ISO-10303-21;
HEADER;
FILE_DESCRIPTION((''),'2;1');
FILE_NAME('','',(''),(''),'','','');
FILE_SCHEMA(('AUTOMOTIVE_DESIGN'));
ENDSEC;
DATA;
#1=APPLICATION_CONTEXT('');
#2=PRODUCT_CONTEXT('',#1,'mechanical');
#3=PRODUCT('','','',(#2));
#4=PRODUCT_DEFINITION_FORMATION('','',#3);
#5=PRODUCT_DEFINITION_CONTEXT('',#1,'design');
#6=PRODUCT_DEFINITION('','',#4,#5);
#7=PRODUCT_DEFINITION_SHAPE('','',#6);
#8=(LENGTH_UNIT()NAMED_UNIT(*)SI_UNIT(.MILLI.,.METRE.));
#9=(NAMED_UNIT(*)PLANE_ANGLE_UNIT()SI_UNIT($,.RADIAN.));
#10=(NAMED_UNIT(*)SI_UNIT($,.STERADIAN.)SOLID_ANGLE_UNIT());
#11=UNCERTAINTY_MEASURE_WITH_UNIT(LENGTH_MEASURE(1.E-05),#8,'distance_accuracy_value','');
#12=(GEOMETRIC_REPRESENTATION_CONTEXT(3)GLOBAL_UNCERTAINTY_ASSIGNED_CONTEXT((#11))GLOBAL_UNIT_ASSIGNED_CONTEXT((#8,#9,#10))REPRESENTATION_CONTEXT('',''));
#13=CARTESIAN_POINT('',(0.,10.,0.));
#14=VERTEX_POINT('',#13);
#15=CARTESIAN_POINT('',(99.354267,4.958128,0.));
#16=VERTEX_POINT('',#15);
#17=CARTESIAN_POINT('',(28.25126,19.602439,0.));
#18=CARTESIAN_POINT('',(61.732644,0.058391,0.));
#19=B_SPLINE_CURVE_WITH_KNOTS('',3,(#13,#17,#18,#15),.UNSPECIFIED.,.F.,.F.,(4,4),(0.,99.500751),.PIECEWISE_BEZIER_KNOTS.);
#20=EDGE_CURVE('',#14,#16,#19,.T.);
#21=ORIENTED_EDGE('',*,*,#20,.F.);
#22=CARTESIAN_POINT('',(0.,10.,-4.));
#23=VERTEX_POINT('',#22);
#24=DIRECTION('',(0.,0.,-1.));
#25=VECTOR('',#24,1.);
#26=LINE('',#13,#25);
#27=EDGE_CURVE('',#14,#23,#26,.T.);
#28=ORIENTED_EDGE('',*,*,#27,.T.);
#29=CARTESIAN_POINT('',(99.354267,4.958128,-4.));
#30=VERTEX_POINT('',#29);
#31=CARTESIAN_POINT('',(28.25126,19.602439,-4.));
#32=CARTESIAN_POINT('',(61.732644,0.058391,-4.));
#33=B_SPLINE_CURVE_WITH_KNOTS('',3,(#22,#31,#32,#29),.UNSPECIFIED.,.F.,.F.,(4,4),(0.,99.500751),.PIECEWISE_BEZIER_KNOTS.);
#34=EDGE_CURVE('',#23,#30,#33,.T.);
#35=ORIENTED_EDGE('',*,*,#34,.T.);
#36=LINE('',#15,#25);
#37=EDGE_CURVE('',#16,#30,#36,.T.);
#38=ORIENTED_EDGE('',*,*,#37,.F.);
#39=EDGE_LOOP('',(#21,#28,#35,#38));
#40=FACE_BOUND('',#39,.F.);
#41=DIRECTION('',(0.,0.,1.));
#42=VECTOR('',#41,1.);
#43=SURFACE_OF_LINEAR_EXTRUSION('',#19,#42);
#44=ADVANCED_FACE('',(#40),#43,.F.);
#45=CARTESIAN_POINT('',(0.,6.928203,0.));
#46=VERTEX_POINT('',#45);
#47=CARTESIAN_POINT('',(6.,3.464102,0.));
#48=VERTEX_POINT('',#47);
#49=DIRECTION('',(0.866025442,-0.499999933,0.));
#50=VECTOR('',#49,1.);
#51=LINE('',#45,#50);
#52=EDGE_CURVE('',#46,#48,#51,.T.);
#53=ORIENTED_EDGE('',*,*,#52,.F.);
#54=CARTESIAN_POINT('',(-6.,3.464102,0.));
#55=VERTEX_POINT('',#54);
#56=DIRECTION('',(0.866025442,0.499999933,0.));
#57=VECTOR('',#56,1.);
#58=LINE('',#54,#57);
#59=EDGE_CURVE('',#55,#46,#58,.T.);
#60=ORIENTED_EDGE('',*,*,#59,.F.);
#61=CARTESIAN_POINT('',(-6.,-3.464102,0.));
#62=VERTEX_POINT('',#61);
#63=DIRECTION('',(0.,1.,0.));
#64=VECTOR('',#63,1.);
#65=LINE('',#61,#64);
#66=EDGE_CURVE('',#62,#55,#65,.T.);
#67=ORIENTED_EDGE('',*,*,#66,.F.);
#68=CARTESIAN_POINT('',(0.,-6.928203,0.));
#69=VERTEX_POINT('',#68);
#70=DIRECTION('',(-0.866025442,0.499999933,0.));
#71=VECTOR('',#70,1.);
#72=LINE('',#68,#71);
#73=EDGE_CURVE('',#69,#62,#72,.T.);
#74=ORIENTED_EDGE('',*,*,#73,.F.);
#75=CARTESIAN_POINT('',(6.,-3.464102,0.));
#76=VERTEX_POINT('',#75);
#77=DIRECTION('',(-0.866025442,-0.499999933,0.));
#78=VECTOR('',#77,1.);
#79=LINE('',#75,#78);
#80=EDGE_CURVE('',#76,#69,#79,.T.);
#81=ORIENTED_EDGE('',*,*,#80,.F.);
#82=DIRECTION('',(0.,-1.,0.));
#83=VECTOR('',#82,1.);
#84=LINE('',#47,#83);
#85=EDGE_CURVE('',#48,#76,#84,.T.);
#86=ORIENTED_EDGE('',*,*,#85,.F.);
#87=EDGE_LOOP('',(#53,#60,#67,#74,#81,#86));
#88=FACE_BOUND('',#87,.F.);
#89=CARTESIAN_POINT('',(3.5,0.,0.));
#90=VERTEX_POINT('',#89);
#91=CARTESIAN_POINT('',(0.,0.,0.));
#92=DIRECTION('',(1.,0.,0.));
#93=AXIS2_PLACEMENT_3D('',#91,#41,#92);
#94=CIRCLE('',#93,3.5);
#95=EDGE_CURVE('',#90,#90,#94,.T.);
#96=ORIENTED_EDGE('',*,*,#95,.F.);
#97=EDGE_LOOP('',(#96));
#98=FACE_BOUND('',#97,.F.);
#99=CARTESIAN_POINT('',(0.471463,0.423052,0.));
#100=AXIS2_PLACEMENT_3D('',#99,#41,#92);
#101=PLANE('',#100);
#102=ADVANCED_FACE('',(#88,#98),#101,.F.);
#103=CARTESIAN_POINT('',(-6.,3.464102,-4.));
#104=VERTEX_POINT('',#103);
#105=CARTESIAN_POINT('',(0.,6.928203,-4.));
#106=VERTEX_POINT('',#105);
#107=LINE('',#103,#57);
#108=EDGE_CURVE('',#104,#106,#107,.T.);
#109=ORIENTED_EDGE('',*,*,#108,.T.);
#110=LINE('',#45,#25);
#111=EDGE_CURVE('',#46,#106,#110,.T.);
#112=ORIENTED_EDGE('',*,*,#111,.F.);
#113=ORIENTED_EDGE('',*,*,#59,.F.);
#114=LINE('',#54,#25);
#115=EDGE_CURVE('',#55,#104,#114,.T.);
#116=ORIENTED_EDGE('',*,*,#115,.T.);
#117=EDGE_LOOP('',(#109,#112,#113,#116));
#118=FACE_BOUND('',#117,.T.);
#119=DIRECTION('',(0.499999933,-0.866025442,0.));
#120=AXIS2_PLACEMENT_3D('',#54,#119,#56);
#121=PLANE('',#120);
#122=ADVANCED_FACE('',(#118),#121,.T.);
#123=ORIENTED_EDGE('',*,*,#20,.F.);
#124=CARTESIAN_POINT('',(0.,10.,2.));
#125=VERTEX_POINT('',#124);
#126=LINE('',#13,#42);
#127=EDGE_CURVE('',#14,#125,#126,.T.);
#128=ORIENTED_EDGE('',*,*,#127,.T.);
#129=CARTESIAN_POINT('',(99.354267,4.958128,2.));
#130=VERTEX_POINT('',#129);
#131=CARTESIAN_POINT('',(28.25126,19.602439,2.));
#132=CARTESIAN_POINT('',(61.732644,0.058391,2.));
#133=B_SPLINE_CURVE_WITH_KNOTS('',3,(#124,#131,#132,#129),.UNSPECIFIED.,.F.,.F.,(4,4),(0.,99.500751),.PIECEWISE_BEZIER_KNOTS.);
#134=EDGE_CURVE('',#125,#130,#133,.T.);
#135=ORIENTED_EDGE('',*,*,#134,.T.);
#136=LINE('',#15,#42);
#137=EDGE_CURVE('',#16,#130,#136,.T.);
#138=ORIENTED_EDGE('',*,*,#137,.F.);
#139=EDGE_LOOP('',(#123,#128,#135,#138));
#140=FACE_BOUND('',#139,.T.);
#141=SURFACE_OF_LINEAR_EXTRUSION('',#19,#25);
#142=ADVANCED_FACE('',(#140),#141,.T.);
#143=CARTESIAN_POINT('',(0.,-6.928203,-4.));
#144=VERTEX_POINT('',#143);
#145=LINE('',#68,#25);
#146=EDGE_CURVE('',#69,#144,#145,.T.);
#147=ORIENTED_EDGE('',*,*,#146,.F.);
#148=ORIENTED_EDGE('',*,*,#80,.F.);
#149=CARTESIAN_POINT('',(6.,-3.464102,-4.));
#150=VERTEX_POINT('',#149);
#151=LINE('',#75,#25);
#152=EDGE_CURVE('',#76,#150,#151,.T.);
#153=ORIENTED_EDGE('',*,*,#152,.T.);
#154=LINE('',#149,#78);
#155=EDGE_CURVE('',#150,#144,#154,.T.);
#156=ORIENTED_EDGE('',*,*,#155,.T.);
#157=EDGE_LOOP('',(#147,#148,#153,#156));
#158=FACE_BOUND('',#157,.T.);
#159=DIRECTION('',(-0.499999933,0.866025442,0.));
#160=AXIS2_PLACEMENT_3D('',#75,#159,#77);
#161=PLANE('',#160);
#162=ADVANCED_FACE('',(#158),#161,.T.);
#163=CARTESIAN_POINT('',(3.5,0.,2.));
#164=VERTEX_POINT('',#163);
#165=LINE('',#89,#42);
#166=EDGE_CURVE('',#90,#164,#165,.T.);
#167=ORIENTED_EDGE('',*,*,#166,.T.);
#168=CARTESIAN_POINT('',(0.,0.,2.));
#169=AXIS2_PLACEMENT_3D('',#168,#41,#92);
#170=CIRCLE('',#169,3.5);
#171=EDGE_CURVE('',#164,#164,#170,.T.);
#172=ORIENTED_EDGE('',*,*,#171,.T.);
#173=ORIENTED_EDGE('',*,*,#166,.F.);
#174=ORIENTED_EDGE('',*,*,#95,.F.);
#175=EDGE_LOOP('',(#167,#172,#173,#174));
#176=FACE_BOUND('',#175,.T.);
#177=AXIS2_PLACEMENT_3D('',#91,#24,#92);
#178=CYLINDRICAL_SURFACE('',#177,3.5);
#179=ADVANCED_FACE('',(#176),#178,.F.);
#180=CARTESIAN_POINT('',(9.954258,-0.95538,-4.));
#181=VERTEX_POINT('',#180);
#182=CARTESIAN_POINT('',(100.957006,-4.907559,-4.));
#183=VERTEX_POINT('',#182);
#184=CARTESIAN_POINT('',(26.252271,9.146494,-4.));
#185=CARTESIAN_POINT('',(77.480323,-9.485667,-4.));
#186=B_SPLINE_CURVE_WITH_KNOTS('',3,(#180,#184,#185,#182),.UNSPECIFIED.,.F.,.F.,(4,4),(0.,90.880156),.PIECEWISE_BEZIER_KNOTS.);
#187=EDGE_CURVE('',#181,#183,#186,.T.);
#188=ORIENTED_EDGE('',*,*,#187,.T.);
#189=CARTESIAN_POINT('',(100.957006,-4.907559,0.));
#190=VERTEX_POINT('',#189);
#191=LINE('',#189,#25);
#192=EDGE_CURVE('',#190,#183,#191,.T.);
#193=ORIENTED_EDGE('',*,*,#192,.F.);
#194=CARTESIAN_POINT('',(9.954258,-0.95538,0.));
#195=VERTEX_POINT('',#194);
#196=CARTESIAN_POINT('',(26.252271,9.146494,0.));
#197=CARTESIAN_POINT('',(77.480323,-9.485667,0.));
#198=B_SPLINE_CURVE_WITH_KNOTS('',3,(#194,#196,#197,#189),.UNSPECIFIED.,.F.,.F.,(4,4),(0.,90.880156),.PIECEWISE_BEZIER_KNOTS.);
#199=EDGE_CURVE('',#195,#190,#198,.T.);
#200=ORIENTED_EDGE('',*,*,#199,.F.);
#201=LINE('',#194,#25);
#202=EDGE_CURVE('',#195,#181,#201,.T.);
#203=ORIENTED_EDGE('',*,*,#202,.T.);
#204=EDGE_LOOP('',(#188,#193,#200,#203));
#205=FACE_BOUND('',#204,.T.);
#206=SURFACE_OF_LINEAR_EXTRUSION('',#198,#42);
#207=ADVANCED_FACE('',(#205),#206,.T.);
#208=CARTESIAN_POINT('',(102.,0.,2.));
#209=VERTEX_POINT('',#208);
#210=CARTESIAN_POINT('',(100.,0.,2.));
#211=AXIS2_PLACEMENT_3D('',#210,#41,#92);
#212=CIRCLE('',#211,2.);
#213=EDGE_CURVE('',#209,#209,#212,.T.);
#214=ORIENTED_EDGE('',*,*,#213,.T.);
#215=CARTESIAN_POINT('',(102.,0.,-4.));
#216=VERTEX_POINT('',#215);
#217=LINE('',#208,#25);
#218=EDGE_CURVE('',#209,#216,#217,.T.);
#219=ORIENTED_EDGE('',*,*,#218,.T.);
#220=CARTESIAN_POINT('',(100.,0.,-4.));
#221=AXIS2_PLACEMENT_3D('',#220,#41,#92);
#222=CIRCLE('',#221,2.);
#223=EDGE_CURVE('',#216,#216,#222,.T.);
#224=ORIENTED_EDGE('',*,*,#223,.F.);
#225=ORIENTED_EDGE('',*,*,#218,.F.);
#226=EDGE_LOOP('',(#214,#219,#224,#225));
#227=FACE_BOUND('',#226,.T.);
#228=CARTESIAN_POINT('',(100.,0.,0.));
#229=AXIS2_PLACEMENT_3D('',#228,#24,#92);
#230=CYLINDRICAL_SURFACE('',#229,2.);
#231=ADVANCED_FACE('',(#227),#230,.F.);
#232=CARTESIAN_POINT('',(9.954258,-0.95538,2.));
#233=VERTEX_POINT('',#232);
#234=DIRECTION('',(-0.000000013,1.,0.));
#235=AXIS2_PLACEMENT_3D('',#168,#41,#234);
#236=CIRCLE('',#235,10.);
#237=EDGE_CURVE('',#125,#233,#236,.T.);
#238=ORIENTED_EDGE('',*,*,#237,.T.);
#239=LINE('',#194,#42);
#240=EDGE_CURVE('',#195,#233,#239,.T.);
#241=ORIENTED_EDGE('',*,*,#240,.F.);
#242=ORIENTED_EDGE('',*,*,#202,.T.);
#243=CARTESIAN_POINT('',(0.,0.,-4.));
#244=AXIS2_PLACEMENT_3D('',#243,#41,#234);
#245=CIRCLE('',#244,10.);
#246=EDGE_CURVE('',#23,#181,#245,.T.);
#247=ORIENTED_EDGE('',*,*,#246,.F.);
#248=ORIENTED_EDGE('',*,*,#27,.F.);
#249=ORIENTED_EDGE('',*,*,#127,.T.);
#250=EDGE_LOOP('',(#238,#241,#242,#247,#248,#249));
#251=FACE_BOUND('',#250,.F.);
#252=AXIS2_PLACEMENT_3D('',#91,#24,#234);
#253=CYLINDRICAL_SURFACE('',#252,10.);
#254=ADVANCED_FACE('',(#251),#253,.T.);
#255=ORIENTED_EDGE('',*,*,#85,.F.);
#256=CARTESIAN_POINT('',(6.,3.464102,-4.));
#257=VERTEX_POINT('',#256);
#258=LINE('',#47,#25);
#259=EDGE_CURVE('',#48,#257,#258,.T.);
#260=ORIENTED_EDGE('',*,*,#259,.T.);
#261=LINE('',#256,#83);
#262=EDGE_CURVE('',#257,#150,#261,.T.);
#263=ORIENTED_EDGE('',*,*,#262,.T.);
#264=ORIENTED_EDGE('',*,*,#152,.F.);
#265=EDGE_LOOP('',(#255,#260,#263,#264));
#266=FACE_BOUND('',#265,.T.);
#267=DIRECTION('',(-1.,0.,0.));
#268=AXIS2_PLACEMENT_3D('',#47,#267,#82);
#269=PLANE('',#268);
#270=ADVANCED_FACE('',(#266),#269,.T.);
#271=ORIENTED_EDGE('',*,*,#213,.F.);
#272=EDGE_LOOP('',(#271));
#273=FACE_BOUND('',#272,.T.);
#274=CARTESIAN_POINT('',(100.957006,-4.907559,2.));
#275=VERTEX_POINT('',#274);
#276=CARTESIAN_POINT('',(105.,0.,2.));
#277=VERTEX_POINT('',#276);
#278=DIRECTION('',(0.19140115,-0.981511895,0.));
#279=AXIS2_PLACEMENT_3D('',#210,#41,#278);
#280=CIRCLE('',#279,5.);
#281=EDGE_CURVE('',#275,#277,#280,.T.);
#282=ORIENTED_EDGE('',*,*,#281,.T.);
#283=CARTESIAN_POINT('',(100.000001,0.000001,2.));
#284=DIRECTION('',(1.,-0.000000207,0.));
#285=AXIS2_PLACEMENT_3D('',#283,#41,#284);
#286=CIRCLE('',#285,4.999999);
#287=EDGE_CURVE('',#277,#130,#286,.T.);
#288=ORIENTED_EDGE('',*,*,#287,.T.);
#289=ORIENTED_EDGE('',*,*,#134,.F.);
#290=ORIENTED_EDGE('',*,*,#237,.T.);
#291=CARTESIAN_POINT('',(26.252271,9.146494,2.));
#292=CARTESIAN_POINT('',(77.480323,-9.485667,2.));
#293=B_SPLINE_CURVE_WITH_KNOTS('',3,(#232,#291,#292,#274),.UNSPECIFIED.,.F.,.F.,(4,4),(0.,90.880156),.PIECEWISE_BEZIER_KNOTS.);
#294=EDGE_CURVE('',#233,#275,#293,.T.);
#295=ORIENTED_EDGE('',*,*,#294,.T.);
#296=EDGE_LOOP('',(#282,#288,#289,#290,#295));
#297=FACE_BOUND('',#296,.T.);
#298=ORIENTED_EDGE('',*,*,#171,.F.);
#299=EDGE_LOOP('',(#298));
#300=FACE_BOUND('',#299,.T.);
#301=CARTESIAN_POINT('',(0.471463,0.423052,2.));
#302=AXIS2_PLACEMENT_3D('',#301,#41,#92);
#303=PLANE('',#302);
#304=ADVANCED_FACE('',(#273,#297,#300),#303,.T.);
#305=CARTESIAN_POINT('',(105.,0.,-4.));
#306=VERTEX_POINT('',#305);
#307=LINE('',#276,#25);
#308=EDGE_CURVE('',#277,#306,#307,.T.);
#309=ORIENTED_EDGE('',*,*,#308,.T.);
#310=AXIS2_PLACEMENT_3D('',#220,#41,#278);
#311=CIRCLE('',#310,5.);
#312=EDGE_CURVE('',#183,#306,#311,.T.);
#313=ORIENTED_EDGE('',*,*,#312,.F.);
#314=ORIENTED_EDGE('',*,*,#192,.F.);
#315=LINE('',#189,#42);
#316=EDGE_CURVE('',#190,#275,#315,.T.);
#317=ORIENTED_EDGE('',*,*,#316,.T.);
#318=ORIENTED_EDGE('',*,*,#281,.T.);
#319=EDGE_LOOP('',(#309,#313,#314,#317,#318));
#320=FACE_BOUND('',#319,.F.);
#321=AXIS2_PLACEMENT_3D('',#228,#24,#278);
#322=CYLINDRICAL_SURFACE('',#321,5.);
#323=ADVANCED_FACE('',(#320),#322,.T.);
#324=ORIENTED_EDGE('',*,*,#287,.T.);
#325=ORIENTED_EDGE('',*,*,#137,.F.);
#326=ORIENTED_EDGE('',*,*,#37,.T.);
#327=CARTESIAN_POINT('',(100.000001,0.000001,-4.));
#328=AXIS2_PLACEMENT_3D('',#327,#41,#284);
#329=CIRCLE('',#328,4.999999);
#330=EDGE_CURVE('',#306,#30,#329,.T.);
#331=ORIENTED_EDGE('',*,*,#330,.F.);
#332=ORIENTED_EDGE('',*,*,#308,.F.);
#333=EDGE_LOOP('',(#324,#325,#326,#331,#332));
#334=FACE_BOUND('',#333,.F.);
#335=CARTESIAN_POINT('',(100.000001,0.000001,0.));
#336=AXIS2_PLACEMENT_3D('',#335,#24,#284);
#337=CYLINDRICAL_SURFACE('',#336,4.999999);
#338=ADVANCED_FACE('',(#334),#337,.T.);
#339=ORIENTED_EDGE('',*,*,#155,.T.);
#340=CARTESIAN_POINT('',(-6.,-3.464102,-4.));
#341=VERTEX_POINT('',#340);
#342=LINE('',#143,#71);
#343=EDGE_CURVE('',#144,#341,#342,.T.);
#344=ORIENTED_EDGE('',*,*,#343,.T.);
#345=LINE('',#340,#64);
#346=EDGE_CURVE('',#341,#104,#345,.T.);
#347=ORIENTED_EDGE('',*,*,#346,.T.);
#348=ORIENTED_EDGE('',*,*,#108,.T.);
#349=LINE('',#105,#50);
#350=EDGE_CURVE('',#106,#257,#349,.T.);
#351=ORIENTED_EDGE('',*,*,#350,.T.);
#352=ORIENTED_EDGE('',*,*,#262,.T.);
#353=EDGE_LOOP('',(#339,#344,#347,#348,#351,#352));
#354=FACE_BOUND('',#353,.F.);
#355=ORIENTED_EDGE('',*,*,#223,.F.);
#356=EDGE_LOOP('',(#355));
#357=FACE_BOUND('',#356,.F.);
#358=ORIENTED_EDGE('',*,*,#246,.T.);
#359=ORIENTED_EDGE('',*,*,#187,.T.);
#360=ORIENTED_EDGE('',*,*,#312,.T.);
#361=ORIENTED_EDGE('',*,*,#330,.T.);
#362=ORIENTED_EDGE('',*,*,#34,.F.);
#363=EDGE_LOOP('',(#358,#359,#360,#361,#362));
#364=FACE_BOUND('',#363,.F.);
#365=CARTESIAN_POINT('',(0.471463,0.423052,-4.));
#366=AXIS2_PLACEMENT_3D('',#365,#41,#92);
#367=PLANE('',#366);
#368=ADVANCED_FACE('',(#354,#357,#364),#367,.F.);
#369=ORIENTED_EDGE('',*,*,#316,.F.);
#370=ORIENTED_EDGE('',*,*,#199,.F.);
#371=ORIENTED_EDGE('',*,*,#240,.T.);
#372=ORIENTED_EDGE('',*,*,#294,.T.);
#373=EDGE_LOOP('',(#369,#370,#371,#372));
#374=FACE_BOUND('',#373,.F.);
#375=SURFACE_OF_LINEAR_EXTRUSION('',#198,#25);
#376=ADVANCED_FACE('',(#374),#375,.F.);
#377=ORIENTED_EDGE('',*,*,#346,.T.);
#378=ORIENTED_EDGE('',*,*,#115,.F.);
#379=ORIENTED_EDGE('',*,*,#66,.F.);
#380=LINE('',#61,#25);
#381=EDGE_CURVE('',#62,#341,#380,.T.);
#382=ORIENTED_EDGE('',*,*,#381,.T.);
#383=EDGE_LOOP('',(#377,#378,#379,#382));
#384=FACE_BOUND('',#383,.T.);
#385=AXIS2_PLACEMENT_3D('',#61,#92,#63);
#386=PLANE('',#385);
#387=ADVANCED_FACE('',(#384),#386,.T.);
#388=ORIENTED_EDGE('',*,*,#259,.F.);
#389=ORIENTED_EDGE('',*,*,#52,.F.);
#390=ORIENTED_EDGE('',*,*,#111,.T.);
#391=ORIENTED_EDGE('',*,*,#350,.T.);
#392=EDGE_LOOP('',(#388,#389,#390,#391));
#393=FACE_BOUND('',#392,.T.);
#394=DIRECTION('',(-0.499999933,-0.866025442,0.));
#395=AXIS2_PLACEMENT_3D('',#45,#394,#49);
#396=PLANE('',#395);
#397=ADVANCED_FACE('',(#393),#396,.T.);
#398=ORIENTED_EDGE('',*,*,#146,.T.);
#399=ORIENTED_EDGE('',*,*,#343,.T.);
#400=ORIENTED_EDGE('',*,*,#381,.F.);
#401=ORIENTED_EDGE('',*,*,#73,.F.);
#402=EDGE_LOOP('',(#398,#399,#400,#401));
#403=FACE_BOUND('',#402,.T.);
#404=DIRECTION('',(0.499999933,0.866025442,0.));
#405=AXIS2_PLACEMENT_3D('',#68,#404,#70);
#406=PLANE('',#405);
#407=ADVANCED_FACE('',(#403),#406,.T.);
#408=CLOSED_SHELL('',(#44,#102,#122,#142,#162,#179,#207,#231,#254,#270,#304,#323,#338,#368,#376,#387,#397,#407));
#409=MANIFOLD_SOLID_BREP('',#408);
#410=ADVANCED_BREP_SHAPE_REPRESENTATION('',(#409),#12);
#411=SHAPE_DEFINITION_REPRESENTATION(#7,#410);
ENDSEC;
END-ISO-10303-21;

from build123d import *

# Parameters (mm, degrees)
F0_R     = 2
F1_DEPTH = 4
F0_R_2   = 3.5
F2_DEPTH = 2


with BuildPart() as f1:
    # F0 (on Top) → F1 (new body)
    with BuildSketch(Plane.XY):
        with BuildLine():
            ThreePointArc((9.954258, -0.95538), (9.988558, -0.478237), (10, 0))
            ThreePointArc((10, 0), (7.071068, 7.071068), (0, 10))
            ThreePointArc((0, 10), (-7.401142, -6.724812), (9.954258, -0.95538))
        make_face()
        Polygon((0, 6.928203), (6, 3.464102), (6, -3.464102), (0, -6.928203), (-6, -3.464102), (-6, 3.464102), align=None, mode=Mode.SUBTRACT)
        with BuildLine():
            ThreePointArc((0, 10), (7.071068, 7.071068), (10, 0))
            ThreePointArc((10, 0), (9.988558, -0.478237), (9.954258, -0.95538))
            add(Edge.make_bspline(
                [(9.954258, -0.95538), (26.252271, 9.146494), (77.480323, -9.485667), (100.957006, -4.907559)],
                knots=[0, 0, 0, 0, 90.880156, 90.880156, 90.880156, 90.880156], degree=3))
            ThreePointArc((100.957006, -4.907559), (95.064702, -0.801768), (99.354267, 4.958128))
            add(Edge.make_bspline(
                [(0, 10), (28.25126, 19.602439), (61.732644, 0.058391), (99.354267, 4.958128)],
                knots=[0, 0, 0, 0, 99.500751, 99.500751, 99.500751, 99.500751], degree=3))
        make_face()
        with BuildLine():
            ThreePointArc((105, 0), (103.299344, 3.756905), (99.354267, 4.958128))
            ThreePointArc((99.354267, 4.958128), (95.064702, -0.801768), (100.957006, -4.907559))
            ThreePointArc((100.957006, -4.907559), (103.859082, -3.179227), (105, 0))
        make_face()
        with Locations((100, 0)):
            Circle(F0_R, mode=Mode.SUBTRACT)
    extrude(amount=-F1_DEPTH)

    # F0 (on Top) → F2 (join)
    with BuildSketch(Plane.XY):
        with BuildLine():
            ThreePointArc((9.954258, -0.95538), (9.988558, -0.478237), (10, 0))
            ThreePointArc((10, 0), (7.071068, 7.071068), (0, 10))
            ThreePointArc((0, 10), (-7.401142, -6.724812), (9.954258, -0.95538))
        make_face()
        Polygon((0, 6.928203), (6, 3.464102), (6, -3.464102), (0, -6.928203), (-6, -3.464102), (-6, 3.464102), align=None, mode=Mode.SUBTRACT)
        with BuildLine():
            ThreePointArc((0, 10), (7.071068, 7.071068), (10, 0))
            ThreePointArc((10, 0), (9.988558, -0.478237), (9.954258, -0.95538))
            add(Edge.make_bspline(
                [(9.954258, -0.95538), (26.252271, 9.146494), (77.480323, -9.485667), (100.957006, -4.907559)],
                knots=[0, 0, 0, 0, 90.880156, 90.880156, 90.880156, 90.880156], degree=3))
            ThreePointArc((100.957006, -4.907559), (95.064702, -0.801768), (99.354267, 4.958128))
            add(Edge.make_bspline(
                [(0, 10), (28.25126, 19.602439), (61.732644, 0.058391), (99.354267, 4.958128)],
                knots=[0, 0, 0, 0, 99.500751, 99.500751, 99.500751, 99.500751], degree=3))
        make_face()
        with BuildLine():
            ThreePointArc((105, 0), (103.299344, 3.756905), (99.354267, 4.958128))
            ThreePointArc((99.354267, 4.958128), (95.064702, -0.801768), (100.957006, -4.907559))
            ThreePointArc((100.957006, -4.907559), (103.859082, -3.179227), (105, 0))
        make_face()
        with Locations((100, 0)):
            Circle(F0_R, mode=Mode.SUBTRACT)
        Polygon((6, -3.464102), (6, 3.464102), (0, 6.928203), (-6, 3.464102), (-6, -3.464102), (0, -6.928203), align=None)
        Circle(F0_R_2, mode=Mode.SUBTRACT)
    extrude(amount=F2_DEPTH)


solid = f1.part
